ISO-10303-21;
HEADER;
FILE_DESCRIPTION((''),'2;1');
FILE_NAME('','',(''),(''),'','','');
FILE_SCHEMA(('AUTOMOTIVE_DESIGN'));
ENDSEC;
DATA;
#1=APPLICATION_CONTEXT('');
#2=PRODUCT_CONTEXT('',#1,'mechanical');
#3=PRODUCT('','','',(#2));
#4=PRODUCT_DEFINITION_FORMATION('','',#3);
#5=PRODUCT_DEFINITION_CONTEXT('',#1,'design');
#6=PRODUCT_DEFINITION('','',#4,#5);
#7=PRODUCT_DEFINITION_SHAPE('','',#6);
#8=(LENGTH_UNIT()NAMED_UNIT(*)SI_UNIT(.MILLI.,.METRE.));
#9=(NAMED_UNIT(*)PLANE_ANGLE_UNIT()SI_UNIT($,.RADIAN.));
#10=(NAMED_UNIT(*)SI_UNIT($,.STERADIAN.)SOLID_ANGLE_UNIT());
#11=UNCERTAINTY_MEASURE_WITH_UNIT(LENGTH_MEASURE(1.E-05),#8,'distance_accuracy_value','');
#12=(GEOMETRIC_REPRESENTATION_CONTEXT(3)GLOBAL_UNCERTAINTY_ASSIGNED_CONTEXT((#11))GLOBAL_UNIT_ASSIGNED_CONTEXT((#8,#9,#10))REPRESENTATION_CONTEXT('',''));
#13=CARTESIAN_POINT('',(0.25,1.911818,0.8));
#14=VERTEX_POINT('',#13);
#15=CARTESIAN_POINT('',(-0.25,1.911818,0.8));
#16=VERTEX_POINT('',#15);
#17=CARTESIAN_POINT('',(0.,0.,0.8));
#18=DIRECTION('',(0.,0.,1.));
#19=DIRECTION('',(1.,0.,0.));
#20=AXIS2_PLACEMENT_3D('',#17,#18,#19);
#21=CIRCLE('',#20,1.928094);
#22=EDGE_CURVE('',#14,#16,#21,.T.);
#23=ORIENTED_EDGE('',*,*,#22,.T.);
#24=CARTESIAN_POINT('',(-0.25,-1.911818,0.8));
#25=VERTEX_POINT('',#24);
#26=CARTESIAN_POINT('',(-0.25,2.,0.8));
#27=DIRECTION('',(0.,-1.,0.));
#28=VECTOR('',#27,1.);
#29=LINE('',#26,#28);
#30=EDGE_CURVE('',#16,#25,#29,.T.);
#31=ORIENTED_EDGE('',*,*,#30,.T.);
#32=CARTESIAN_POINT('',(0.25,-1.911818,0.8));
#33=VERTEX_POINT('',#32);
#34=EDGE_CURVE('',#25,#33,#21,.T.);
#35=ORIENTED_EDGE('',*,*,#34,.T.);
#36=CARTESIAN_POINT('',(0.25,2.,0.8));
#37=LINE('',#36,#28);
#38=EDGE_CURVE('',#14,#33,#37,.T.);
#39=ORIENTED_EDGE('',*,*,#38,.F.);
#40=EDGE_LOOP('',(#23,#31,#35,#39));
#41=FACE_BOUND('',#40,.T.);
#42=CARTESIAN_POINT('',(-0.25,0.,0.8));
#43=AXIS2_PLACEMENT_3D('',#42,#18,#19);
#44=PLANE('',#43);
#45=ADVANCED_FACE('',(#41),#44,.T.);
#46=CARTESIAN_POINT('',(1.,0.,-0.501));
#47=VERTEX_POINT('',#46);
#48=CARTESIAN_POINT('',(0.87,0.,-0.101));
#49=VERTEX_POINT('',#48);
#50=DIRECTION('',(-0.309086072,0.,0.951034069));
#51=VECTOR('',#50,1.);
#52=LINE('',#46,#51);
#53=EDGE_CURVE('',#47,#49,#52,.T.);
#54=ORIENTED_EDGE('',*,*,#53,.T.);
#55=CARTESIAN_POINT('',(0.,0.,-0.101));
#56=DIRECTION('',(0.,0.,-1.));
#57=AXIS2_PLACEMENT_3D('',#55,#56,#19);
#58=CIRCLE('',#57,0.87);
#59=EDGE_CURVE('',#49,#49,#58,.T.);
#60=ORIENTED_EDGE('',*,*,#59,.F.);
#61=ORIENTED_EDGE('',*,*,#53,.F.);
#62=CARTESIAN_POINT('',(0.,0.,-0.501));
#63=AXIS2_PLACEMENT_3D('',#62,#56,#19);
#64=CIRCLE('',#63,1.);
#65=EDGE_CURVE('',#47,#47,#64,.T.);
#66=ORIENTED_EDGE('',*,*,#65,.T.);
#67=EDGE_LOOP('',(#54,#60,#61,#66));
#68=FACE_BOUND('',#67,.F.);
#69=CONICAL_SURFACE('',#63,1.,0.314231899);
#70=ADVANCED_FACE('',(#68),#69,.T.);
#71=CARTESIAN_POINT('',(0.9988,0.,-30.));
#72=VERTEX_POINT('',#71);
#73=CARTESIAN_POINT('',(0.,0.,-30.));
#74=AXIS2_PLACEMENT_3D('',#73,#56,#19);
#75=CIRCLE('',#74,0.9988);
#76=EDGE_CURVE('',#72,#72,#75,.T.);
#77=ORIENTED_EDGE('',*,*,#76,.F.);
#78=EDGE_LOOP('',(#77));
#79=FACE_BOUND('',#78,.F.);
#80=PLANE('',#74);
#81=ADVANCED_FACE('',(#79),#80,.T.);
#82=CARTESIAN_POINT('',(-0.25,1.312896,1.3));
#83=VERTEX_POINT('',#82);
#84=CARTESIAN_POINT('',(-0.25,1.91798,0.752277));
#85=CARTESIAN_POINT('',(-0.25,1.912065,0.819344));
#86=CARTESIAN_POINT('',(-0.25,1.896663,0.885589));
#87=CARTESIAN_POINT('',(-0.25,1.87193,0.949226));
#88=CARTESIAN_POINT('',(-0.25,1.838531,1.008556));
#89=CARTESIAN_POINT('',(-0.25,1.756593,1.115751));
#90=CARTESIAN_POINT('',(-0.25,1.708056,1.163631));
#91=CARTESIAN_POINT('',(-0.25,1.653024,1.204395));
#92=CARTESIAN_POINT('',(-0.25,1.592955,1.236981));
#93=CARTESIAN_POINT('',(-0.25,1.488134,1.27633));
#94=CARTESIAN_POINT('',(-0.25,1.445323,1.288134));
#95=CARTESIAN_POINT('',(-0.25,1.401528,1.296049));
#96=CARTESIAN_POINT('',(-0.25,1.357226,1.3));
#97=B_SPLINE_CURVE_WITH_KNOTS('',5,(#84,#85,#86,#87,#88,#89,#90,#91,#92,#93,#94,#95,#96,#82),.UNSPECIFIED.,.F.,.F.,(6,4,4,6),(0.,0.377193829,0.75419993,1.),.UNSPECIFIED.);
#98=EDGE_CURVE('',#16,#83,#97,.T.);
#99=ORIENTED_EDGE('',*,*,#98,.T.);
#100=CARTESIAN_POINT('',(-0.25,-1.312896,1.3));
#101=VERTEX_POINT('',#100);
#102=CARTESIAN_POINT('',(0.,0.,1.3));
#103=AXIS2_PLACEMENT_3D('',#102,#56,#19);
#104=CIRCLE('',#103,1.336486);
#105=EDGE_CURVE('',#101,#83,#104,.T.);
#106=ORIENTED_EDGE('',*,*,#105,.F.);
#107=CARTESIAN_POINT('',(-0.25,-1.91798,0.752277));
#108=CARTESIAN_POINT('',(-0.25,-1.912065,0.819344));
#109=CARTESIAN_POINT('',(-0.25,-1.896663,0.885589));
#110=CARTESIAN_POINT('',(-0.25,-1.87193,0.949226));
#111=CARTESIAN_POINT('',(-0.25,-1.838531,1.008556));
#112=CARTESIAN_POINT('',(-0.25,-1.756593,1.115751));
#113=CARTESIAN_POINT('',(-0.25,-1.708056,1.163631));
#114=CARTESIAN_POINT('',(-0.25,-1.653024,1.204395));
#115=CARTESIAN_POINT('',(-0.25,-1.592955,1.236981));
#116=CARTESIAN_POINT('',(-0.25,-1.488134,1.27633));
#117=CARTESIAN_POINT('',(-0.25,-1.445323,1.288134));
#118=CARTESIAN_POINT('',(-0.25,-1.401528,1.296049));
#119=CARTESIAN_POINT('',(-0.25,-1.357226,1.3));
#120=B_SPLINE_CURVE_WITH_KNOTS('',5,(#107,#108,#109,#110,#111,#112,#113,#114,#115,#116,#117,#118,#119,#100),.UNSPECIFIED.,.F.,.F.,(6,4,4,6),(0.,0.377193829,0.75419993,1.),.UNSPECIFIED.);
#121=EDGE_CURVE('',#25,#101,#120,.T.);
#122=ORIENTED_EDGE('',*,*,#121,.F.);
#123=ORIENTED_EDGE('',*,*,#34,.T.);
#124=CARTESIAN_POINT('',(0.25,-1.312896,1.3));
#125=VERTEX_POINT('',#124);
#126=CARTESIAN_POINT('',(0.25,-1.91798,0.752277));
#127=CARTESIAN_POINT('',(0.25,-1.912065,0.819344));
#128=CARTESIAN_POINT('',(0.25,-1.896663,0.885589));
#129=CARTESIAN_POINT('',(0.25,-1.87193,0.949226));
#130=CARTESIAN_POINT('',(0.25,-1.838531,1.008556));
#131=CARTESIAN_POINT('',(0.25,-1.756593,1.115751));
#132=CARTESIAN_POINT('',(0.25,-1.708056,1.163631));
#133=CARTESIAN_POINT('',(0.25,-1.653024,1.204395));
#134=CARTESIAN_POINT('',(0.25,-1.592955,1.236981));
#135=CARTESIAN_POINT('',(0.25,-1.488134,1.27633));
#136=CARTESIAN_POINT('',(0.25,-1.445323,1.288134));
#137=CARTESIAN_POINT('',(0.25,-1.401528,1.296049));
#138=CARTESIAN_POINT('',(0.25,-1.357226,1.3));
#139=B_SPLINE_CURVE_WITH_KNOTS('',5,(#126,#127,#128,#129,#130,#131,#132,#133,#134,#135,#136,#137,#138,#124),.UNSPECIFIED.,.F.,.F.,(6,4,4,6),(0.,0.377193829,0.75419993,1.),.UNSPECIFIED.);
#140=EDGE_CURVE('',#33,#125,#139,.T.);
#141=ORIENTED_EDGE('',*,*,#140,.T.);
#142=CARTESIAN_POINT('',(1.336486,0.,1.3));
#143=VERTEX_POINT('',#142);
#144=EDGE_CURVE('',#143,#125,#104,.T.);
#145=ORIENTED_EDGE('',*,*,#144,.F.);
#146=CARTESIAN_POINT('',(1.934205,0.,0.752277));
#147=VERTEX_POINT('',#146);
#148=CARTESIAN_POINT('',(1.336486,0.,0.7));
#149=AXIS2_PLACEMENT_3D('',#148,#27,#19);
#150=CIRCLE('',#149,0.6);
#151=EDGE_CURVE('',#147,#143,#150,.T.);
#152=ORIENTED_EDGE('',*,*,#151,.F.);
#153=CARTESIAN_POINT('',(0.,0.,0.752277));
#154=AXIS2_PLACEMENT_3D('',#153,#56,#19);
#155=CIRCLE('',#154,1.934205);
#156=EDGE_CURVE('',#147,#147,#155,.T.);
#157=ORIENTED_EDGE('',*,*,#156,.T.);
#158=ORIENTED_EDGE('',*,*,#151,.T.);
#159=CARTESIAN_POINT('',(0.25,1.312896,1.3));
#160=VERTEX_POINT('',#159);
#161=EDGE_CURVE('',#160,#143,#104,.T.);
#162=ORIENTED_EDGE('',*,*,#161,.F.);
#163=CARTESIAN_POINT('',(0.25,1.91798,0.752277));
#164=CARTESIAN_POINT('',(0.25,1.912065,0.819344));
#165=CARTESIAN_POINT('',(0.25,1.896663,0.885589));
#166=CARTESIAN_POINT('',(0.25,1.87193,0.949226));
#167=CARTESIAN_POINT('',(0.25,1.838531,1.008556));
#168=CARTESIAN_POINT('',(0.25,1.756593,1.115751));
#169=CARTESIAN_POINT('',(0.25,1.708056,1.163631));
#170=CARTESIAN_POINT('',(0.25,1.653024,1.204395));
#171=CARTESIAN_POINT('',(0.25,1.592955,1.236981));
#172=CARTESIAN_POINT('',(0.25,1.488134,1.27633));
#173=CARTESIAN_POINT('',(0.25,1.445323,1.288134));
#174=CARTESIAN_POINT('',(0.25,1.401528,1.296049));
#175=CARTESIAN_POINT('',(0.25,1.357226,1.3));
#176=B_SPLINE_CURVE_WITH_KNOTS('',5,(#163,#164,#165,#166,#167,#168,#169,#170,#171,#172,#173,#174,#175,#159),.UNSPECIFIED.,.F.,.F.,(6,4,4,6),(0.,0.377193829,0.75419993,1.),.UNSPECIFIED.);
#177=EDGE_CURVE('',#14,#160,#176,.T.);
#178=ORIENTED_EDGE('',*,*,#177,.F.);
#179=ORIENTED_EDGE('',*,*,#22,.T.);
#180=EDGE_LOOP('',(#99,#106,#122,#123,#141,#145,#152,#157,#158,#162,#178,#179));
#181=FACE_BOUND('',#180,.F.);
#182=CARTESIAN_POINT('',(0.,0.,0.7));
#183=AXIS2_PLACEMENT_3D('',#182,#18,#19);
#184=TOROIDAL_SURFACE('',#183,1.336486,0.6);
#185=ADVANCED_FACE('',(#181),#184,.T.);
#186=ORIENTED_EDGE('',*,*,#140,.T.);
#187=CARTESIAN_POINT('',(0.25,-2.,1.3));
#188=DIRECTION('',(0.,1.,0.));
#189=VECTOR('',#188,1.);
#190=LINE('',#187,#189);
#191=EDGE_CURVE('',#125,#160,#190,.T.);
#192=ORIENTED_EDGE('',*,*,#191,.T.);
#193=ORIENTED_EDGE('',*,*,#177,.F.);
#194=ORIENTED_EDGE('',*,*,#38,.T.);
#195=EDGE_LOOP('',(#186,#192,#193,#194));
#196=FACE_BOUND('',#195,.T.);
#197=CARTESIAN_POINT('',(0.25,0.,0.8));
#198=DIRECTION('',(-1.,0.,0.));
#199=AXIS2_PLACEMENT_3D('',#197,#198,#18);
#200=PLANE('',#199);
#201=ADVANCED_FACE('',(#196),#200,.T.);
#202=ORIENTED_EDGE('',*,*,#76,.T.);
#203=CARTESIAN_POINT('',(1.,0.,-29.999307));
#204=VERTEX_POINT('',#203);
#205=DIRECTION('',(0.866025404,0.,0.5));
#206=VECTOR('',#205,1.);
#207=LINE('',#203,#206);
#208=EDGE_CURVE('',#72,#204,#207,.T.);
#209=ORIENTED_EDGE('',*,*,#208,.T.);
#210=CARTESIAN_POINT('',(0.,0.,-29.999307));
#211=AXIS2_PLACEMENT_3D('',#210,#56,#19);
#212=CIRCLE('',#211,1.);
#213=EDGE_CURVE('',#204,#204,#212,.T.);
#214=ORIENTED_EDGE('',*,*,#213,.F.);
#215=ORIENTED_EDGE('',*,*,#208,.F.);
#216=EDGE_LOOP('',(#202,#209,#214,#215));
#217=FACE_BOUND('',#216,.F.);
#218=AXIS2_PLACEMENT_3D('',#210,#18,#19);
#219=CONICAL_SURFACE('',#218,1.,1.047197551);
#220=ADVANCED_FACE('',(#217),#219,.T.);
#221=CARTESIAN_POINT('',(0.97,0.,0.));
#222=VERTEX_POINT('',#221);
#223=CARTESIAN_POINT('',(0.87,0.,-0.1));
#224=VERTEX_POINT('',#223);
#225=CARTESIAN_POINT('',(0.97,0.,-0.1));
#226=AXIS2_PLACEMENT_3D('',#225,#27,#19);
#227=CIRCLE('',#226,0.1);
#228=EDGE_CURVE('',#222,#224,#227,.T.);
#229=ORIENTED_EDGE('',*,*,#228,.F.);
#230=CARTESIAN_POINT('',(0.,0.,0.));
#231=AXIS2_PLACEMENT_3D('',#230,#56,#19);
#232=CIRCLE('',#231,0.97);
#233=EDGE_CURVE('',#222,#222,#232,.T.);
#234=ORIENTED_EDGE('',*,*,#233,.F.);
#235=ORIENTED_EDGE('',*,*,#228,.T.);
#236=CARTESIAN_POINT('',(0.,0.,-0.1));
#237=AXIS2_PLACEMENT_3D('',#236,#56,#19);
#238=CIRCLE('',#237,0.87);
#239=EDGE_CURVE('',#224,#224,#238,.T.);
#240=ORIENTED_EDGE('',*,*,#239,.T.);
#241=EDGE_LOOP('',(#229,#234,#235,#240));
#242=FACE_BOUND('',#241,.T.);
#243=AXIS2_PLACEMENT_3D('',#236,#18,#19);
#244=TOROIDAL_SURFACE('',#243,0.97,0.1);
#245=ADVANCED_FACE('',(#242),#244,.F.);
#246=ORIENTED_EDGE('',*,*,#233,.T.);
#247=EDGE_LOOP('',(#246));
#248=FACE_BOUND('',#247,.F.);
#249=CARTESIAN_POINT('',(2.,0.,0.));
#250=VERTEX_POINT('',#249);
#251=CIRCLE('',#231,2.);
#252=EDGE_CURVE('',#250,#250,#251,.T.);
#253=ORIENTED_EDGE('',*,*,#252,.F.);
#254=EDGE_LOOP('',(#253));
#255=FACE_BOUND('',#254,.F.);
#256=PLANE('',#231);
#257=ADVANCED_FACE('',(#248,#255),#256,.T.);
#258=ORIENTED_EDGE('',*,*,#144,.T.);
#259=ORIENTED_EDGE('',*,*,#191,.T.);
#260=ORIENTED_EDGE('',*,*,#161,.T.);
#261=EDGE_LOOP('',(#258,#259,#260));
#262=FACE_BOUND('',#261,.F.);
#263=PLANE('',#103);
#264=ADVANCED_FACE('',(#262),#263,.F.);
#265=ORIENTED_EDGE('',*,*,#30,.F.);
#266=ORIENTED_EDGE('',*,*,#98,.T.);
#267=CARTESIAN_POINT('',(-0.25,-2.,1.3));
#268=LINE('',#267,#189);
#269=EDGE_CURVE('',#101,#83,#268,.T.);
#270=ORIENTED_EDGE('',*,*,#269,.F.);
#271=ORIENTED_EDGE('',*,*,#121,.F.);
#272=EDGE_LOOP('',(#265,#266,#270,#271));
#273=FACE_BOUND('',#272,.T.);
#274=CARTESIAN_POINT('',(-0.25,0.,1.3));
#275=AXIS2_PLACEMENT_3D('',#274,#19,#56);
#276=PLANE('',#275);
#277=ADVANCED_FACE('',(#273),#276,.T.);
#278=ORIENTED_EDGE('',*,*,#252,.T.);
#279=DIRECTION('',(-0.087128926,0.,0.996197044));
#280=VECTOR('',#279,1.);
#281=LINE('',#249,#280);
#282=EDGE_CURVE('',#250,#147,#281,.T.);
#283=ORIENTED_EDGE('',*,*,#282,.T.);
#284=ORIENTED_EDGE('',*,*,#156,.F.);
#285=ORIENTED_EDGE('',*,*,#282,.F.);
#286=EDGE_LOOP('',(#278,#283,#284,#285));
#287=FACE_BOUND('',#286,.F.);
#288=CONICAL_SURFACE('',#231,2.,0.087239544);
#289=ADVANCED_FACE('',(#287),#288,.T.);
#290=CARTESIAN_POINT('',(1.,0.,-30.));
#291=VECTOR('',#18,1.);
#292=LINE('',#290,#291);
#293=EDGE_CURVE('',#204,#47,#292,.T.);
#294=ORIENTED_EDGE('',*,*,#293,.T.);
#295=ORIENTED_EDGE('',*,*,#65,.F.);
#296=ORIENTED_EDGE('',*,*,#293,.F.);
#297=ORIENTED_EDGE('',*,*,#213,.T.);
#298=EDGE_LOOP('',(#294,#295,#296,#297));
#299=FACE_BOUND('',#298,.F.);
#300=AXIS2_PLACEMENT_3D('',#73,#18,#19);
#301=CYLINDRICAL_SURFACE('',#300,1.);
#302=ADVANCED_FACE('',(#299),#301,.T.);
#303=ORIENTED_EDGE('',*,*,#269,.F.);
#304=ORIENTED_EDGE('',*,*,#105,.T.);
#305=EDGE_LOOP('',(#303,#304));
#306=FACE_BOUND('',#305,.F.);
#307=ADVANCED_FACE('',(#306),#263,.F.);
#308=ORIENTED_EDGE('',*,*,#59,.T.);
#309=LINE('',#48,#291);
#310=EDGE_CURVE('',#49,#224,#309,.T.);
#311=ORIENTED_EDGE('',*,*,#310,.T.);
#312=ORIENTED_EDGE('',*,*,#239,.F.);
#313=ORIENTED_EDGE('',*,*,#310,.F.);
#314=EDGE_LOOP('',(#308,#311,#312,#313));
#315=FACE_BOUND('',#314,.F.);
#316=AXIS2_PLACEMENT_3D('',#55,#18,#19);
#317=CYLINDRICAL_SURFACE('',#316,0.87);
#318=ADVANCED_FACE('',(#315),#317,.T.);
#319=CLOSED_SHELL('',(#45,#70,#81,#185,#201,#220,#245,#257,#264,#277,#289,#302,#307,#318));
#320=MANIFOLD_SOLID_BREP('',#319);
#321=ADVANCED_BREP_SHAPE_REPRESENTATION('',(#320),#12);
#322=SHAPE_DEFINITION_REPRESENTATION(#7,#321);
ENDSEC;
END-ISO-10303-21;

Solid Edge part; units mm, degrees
sketch "Sketch1" plane through (0, 0, 0) normal (0, -1, 0) x (1, 0, 0)
  line L0 (0, -30) -> (1, -30)
  line L1 (1, -30) -> (1, -0.501)
  line L2 (1, -0.501) -> (0.87, -0.101)
  line L3 (0.87, -0.101) -> (0.87, 0)
  line L4 (0.87, 0) -> (2, 0)
  line L5 (2, 0) -> (1.8863, 1.3)
  line L6 (1.8863, 1.3) -> (0, 1.3)
  dimension "D1" = 1
  dimension "D2" = 0.87
  dimension "D3" = 30
  dimension "D4" = 29.499
  dimension "D5" = 0.4
  dimension "D6" = 2
  dimension "D7" = 1.3
revolve "RevolvedProtrusion1" add sketch "Sketch1" angle 360 about axis through (0, 0, 6) along (0, 0, -1)
fillet "Round_1" radius 0.6 1 edges at (-1.8863, 0, 1.3)
sketch "Sketch2" plane through (0, 0, 0) normal (0, -1, 0) x (1, 0, 0)
  line L0 (-0.25, 1.3) -> (-0.25, 0.8)
  line L1 (-0.25, 0.8) -> (0.25, 0.8)
  line L2 (0.25, 0.8) -> (0.25, 1.3)
  line L3 (0.25, 1.3) -> (-0.25, 1.3)
  dimension "D1" = 0.5
  dimension "D2" = 0.5
  dimension "D3" = 1.3
extrude "ExtrudedCutout_1" cut sketch "Sketch2" along normal mid plane 4
cosmetic_thread "Thread_1" size "M2" thread depth 29.499
fillet "Round_2" radius 0.1 1 edges at (-0.87, 0, 0)
chamfer "Chamfer_1" distance 0.0012 angle 30 1 edges at (-1, 0, -30) measured on face at (0.6867, 0.6467, -30)
properties material "Steel"
